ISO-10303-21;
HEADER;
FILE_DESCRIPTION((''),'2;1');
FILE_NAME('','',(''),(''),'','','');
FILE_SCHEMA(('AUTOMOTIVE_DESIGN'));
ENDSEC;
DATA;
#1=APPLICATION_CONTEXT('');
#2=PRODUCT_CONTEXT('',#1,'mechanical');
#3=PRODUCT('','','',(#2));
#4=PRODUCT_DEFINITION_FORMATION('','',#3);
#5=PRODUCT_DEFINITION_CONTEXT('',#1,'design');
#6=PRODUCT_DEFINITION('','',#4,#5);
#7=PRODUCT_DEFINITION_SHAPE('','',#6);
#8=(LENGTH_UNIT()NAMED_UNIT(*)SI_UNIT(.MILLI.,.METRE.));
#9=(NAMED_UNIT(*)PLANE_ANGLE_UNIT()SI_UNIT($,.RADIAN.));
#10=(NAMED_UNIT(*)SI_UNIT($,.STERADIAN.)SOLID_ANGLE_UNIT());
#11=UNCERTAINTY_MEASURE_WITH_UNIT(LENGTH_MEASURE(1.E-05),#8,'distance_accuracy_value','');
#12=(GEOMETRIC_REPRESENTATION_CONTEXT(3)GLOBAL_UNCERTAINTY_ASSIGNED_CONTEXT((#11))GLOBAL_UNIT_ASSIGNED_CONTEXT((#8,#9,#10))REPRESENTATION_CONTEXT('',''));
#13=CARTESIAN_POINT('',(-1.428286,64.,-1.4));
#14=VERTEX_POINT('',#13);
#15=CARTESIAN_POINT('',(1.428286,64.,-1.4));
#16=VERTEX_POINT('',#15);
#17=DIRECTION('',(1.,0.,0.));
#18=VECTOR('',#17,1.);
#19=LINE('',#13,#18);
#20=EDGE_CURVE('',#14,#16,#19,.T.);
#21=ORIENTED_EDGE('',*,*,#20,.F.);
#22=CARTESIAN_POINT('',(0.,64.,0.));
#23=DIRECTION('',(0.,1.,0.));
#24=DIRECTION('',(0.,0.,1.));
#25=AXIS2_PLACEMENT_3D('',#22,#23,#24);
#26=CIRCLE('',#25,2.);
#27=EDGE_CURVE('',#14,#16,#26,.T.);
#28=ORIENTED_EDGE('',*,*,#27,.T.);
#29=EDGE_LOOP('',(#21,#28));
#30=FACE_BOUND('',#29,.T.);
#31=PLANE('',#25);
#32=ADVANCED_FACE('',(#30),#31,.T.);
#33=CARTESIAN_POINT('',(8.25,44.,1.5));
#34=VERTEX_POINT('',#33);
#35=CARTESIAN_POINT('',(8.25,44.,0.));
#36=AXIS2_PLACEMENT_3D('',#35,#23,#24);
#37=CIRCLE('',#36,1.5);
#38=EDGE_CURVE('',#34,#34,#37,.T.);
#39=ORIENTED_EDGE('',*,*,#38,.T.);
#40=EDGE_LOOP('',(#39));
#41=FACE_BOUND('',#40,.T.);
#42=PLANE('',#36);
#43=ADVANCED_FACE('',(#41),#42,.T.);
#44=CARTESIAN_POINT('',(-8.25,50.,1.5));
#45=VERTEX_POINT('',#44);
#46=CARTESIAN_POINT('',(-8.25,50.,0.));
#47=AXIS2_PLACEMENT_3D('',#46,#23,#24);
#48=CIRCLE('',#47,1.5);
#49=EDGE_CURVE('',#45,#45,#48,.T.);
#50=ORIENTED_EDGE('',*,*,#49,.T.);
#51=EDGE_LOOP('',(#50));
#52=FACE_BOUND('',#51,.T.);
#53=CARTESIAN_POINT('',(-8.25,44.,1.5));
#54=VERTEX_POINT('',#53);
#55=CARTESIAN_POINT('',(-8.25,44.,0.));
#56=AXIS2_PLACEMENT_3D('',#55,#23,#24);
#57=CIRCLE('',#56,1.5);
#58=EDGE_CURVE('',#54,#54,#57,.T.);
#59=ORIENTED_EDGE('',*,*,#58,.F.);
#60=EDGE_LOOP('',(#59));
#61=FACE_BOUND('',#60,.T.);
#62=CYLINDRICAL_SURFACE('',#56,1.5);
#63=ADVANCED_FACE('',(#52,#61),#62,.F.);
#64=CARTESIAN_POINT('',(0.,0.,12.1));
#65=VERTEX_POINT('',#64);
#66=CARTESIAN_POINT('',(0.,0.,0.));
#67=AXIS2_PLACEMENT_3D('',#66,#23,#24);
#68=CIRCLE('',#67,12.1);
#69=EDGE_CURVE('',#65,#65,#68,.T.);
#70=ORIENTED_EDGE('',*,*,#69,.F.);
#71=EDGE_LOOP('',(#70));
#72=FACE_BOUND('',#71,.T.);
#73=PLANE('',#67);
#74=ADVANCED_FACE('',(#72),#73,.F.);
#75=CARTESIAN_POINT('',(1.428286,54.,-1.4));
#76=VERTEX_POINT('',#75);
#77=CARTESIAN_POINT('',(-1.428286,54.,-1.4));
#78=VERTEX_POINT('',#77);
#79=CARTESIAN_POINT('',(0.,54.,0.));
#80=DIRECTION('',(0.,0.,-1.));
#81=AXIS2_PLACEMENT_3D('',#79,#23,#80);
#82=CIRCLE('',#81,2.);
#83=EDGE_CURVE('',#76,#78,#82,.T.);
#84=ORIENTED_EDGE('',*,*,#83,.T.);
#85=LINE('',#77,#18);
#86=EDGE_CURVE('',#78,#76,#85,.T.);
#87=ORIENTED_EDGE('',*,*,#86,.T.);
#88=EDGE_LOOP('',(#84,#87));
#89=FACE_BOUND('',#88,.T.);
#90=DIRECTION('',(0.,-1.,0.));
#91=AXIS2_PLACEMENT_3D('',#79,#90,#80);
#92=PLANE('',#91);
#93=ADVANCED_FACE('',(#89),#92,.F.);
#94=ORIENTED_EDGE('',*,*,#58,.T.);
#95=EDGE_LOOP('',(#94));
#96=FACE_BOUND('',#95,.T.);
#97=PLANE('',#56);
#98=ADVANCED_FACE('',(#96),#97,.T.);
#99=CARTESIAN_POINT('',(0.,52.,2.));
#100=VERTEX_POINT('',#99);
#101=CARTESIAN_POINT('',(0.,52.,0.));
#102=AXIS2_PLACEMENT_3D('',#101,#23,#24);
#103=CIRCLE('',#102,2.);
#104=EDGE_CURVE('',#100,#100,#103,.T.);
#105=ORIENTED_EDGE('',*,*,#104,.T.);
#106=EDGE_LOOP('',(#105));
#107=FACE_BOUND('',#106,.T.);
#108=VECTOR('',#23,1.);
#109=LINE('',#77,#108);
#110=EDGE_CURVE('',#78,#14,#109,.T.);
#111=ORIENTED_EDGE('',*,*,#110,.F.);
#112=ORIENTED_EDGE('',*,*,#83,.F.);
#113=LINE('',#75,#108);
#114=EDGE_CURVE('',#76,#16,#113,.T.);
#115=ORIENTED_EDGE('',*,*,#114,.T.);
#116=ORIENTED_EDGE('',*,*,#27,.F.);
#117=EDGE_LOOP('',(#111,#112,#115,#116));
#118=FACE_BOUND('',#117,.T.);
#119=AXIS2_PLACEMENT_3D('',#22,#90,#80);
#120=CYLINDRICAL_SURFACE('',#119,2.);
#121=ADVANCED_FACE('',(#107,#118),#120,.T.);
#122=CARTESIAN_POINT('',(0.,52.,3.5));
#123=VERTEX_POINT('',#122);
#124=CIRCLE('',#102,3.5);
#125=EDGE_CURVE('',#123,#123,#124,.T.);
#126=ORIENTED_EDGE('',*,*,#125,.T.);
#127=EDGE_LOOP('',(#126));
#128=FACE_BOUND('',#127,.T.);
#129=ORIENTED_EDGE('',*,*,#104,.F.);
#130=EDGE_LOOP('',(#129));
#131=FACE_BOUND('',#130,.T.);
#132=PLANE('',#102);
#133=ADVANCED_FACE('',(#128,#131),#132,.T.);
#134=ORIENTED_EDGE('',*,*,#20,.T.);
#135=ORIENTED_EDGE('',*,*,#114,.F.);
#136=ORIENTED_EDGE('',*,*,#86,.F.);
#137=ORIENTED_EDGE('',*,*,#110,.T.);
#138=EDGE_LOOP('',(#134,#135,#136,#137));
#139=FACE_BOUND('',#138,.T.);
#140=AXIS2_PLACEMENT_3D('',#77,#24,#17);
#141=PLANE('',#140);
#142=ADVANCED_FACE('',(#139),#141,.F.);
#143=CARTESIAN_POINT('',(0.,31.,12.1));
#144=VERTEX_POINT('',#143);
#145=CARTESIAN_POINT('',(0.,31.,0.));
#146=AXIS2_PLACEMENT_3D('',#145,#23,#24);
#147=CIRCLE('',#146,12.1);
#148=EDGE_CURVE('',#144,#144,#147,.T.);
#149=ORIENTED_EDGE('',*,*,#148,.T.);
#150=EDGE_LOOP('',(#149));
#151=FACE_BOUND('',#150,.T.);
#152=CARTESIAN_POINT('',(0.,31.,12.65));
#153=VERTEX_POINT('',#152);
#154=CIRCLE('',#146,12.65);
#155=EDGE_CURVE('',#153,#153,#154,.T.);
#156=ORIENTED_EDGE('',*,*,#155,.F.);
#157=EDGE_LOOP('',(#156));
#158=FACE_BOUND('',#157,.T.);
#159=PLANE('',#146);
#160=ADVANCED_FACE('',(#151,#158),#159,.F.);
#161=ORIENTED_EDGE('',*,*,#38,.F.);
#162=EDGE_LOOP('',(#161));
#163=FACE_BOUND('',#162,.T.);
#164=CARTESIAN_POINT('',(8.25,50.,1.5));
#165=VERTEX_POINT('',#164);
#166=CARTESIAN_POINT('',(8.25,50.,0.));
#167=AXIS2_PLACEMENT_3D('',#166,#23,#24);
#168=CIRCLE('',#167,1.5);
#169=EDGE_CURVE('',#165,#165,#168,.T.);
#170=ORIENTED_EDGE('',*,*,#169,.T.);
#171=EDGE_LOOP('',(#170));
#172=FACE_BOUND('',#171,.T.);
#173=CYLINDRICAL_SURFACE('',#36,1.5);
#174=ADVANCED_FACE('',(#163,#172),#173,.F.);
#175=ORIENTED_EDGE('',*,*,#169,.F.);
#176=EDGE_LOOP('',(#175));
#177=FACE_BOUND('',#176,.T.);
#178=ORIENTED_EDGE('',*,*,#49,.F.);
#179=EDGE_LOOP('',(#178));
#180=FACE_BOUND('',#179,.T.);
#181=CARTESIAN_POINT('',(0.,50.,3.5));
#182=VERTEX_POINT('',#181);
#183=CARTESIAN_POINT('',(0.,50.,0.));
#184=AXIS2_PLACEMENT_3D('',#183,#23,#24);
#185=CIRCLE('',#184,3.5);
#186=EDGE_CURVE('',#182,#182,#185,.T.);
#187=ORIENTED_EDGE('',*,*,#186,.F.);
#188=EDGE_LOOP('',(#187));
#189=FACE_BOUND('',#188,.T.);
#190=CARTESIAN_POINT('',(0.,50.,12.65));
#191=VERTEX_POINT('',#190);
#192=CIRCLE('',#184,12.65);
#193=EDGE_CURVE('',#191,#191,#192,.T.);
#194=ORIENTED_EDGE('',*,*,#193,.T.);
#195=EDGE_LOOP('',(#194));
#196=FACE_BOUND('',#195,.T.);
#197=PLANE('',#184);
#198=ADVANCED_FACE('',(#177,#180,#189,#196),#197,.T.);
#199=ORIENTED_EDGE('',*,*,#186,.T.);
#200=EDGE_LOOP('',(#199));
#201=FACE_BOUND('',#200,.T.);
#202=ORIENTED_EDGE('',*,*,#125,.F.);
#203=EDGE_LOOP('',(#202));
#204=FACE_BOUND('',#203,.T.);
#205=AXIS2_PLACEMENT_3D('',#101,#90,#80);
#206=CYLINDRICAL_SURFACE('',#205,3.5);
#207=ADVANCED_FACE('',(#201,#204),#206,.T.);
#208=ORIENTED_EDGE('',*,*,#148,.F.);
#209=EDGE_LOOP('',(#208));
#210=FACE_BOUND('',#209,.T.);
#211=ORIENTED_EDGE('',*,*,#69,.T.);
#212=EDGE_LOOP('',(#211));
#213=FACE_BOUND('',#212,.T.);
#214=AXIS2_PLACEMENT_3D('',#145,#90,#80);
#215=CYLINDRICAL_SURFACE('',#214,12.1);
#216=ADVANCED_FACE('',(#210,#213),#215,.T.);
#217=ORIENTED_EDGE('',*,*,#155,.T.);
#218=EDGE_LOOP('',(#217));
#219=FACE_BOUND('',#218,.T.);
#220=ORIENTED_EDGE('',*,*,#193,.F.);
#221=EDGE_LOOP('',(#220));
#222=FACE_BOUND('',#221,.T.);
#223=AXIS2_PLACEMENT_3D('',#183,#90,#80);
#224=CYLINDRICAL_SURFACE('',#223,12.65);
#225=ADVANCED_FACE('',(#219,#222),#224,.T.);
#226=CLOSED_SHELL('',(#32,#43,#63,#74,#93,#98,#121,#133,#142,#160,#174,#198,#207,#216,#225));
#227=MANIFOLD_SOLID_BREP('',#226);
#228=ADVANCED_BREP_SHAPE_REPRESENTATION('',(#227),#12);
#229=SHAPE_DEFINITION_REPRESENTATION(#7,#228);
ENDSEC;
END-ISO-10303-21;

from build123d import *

# Parameters (mm, degrees)
SKETCH1_R           = 12.1
BOSS_EXTRUDE1_DEPTH = 31
SKETCH2_R           = 12.65
BOSS_EXTRUDE2_DEPTH = 19
SKETCH3_R           = 3.5
BOSS_EXTRUDE3_DEPTH = 2
SKETCH4_R           = 2
BOSS_EXTRUDE4_DEPTH = 12
SKETCH5_R           = 1.5
CUT_EXTRUDE1_DEPTH  = 6
CUT_EXTRUDE2_START  = -10
CUT_EXTRUDE2_DEPTH  = 10


with BuildPart() as part:
    # Sketch1 → Boss-Extrude1 (new body)
    with BuildSketch(Plane(origin=(0, 0, 0), x_dir=(1, 0, 0), z_dir=(0, 1, 0))):
        with Locations(Location((0, 0, 0), (0, 0, 270))):
            Circle(SKETCH1_R)
    extrude(amount=BOSS_EXTRUDE1_DEPTH)

    # Sketch2 → Boss-Extrude2 (add)
    with BuildSketch(Plane(origin=(0, 31, 0), x_dir=(1, 0, 0), z_dir=(0, 1, 0))):
        with Locations(Location((0, 0, 0), (0, 0, 270))):
            Circle(SKETCH2_R)
    extrude(amount=BOSS_EXTRUDE2_DEPTH)

    # Sketch3 → Boss-Extrude3 (add)
    with BuildSketch(Plane(origin=(0, 50, 0), x_dir=(1, 0, 0), z_dir=(0, 1, 0))):
        with Locations(Location((0, 0, 0), (0, 0, 270))):
            Circle(SKETCH3_R)
    extrude(amount=BOSS_EXTRUDE3_DEPTH)

    # Sketch4 → Boss-Extrude4 (add)
    with BuildSketch(Plane(origin=(0, 52, 0), x_dir=(1, 0, 0), z_dir=(0, 1, 0))):
        with Locations(Location((0, 0, 0), (0, 0, 270))):
            Circle(SKETCH4_R)
    extrude(amount=BOSS_EXTRUDE4_DEPTH)

    # Sketch5 → Cut-Extrude1 (cut)
    with BuildSketch(Plane(origin=(0, 50, 0), x_dir=(1, 0, 0), z_dir=(0, 1, 0))):
        with Locations(Location((8.25, 0, 0), (0, 0, 270))):
            Circle(SKETCH5_R)
        with Locations(Location((-8.25, 0, 0), (0, 0, 270))):
            Circle(SKETCH5_R)
    extrude(amount=-CUT_EXTRUDE1_DEPTH, mode=Mode.SUBTRACT)

    # Sketch6 → Cut-Extrude2 (cut)
    with BuildSketch(Plane(origin=(0, 64, 0), x_dir=(1, 0, 0), z_dir=(0, 1, 0)).offset(CUT_EXTRUDE2_START)):
        with BuildLine():
            Line((-1.428285686, 1.4), (1.428285686, 1.4))
            ThreePointArc((1.428285686, 1.4), (0, 2), (-1.428285686, 1.4))
        make_face()
    extrude(amount=CUT_EXTRUDE2_DEPTH, mode=Mode.SUBTRACT)


solid = part.part
